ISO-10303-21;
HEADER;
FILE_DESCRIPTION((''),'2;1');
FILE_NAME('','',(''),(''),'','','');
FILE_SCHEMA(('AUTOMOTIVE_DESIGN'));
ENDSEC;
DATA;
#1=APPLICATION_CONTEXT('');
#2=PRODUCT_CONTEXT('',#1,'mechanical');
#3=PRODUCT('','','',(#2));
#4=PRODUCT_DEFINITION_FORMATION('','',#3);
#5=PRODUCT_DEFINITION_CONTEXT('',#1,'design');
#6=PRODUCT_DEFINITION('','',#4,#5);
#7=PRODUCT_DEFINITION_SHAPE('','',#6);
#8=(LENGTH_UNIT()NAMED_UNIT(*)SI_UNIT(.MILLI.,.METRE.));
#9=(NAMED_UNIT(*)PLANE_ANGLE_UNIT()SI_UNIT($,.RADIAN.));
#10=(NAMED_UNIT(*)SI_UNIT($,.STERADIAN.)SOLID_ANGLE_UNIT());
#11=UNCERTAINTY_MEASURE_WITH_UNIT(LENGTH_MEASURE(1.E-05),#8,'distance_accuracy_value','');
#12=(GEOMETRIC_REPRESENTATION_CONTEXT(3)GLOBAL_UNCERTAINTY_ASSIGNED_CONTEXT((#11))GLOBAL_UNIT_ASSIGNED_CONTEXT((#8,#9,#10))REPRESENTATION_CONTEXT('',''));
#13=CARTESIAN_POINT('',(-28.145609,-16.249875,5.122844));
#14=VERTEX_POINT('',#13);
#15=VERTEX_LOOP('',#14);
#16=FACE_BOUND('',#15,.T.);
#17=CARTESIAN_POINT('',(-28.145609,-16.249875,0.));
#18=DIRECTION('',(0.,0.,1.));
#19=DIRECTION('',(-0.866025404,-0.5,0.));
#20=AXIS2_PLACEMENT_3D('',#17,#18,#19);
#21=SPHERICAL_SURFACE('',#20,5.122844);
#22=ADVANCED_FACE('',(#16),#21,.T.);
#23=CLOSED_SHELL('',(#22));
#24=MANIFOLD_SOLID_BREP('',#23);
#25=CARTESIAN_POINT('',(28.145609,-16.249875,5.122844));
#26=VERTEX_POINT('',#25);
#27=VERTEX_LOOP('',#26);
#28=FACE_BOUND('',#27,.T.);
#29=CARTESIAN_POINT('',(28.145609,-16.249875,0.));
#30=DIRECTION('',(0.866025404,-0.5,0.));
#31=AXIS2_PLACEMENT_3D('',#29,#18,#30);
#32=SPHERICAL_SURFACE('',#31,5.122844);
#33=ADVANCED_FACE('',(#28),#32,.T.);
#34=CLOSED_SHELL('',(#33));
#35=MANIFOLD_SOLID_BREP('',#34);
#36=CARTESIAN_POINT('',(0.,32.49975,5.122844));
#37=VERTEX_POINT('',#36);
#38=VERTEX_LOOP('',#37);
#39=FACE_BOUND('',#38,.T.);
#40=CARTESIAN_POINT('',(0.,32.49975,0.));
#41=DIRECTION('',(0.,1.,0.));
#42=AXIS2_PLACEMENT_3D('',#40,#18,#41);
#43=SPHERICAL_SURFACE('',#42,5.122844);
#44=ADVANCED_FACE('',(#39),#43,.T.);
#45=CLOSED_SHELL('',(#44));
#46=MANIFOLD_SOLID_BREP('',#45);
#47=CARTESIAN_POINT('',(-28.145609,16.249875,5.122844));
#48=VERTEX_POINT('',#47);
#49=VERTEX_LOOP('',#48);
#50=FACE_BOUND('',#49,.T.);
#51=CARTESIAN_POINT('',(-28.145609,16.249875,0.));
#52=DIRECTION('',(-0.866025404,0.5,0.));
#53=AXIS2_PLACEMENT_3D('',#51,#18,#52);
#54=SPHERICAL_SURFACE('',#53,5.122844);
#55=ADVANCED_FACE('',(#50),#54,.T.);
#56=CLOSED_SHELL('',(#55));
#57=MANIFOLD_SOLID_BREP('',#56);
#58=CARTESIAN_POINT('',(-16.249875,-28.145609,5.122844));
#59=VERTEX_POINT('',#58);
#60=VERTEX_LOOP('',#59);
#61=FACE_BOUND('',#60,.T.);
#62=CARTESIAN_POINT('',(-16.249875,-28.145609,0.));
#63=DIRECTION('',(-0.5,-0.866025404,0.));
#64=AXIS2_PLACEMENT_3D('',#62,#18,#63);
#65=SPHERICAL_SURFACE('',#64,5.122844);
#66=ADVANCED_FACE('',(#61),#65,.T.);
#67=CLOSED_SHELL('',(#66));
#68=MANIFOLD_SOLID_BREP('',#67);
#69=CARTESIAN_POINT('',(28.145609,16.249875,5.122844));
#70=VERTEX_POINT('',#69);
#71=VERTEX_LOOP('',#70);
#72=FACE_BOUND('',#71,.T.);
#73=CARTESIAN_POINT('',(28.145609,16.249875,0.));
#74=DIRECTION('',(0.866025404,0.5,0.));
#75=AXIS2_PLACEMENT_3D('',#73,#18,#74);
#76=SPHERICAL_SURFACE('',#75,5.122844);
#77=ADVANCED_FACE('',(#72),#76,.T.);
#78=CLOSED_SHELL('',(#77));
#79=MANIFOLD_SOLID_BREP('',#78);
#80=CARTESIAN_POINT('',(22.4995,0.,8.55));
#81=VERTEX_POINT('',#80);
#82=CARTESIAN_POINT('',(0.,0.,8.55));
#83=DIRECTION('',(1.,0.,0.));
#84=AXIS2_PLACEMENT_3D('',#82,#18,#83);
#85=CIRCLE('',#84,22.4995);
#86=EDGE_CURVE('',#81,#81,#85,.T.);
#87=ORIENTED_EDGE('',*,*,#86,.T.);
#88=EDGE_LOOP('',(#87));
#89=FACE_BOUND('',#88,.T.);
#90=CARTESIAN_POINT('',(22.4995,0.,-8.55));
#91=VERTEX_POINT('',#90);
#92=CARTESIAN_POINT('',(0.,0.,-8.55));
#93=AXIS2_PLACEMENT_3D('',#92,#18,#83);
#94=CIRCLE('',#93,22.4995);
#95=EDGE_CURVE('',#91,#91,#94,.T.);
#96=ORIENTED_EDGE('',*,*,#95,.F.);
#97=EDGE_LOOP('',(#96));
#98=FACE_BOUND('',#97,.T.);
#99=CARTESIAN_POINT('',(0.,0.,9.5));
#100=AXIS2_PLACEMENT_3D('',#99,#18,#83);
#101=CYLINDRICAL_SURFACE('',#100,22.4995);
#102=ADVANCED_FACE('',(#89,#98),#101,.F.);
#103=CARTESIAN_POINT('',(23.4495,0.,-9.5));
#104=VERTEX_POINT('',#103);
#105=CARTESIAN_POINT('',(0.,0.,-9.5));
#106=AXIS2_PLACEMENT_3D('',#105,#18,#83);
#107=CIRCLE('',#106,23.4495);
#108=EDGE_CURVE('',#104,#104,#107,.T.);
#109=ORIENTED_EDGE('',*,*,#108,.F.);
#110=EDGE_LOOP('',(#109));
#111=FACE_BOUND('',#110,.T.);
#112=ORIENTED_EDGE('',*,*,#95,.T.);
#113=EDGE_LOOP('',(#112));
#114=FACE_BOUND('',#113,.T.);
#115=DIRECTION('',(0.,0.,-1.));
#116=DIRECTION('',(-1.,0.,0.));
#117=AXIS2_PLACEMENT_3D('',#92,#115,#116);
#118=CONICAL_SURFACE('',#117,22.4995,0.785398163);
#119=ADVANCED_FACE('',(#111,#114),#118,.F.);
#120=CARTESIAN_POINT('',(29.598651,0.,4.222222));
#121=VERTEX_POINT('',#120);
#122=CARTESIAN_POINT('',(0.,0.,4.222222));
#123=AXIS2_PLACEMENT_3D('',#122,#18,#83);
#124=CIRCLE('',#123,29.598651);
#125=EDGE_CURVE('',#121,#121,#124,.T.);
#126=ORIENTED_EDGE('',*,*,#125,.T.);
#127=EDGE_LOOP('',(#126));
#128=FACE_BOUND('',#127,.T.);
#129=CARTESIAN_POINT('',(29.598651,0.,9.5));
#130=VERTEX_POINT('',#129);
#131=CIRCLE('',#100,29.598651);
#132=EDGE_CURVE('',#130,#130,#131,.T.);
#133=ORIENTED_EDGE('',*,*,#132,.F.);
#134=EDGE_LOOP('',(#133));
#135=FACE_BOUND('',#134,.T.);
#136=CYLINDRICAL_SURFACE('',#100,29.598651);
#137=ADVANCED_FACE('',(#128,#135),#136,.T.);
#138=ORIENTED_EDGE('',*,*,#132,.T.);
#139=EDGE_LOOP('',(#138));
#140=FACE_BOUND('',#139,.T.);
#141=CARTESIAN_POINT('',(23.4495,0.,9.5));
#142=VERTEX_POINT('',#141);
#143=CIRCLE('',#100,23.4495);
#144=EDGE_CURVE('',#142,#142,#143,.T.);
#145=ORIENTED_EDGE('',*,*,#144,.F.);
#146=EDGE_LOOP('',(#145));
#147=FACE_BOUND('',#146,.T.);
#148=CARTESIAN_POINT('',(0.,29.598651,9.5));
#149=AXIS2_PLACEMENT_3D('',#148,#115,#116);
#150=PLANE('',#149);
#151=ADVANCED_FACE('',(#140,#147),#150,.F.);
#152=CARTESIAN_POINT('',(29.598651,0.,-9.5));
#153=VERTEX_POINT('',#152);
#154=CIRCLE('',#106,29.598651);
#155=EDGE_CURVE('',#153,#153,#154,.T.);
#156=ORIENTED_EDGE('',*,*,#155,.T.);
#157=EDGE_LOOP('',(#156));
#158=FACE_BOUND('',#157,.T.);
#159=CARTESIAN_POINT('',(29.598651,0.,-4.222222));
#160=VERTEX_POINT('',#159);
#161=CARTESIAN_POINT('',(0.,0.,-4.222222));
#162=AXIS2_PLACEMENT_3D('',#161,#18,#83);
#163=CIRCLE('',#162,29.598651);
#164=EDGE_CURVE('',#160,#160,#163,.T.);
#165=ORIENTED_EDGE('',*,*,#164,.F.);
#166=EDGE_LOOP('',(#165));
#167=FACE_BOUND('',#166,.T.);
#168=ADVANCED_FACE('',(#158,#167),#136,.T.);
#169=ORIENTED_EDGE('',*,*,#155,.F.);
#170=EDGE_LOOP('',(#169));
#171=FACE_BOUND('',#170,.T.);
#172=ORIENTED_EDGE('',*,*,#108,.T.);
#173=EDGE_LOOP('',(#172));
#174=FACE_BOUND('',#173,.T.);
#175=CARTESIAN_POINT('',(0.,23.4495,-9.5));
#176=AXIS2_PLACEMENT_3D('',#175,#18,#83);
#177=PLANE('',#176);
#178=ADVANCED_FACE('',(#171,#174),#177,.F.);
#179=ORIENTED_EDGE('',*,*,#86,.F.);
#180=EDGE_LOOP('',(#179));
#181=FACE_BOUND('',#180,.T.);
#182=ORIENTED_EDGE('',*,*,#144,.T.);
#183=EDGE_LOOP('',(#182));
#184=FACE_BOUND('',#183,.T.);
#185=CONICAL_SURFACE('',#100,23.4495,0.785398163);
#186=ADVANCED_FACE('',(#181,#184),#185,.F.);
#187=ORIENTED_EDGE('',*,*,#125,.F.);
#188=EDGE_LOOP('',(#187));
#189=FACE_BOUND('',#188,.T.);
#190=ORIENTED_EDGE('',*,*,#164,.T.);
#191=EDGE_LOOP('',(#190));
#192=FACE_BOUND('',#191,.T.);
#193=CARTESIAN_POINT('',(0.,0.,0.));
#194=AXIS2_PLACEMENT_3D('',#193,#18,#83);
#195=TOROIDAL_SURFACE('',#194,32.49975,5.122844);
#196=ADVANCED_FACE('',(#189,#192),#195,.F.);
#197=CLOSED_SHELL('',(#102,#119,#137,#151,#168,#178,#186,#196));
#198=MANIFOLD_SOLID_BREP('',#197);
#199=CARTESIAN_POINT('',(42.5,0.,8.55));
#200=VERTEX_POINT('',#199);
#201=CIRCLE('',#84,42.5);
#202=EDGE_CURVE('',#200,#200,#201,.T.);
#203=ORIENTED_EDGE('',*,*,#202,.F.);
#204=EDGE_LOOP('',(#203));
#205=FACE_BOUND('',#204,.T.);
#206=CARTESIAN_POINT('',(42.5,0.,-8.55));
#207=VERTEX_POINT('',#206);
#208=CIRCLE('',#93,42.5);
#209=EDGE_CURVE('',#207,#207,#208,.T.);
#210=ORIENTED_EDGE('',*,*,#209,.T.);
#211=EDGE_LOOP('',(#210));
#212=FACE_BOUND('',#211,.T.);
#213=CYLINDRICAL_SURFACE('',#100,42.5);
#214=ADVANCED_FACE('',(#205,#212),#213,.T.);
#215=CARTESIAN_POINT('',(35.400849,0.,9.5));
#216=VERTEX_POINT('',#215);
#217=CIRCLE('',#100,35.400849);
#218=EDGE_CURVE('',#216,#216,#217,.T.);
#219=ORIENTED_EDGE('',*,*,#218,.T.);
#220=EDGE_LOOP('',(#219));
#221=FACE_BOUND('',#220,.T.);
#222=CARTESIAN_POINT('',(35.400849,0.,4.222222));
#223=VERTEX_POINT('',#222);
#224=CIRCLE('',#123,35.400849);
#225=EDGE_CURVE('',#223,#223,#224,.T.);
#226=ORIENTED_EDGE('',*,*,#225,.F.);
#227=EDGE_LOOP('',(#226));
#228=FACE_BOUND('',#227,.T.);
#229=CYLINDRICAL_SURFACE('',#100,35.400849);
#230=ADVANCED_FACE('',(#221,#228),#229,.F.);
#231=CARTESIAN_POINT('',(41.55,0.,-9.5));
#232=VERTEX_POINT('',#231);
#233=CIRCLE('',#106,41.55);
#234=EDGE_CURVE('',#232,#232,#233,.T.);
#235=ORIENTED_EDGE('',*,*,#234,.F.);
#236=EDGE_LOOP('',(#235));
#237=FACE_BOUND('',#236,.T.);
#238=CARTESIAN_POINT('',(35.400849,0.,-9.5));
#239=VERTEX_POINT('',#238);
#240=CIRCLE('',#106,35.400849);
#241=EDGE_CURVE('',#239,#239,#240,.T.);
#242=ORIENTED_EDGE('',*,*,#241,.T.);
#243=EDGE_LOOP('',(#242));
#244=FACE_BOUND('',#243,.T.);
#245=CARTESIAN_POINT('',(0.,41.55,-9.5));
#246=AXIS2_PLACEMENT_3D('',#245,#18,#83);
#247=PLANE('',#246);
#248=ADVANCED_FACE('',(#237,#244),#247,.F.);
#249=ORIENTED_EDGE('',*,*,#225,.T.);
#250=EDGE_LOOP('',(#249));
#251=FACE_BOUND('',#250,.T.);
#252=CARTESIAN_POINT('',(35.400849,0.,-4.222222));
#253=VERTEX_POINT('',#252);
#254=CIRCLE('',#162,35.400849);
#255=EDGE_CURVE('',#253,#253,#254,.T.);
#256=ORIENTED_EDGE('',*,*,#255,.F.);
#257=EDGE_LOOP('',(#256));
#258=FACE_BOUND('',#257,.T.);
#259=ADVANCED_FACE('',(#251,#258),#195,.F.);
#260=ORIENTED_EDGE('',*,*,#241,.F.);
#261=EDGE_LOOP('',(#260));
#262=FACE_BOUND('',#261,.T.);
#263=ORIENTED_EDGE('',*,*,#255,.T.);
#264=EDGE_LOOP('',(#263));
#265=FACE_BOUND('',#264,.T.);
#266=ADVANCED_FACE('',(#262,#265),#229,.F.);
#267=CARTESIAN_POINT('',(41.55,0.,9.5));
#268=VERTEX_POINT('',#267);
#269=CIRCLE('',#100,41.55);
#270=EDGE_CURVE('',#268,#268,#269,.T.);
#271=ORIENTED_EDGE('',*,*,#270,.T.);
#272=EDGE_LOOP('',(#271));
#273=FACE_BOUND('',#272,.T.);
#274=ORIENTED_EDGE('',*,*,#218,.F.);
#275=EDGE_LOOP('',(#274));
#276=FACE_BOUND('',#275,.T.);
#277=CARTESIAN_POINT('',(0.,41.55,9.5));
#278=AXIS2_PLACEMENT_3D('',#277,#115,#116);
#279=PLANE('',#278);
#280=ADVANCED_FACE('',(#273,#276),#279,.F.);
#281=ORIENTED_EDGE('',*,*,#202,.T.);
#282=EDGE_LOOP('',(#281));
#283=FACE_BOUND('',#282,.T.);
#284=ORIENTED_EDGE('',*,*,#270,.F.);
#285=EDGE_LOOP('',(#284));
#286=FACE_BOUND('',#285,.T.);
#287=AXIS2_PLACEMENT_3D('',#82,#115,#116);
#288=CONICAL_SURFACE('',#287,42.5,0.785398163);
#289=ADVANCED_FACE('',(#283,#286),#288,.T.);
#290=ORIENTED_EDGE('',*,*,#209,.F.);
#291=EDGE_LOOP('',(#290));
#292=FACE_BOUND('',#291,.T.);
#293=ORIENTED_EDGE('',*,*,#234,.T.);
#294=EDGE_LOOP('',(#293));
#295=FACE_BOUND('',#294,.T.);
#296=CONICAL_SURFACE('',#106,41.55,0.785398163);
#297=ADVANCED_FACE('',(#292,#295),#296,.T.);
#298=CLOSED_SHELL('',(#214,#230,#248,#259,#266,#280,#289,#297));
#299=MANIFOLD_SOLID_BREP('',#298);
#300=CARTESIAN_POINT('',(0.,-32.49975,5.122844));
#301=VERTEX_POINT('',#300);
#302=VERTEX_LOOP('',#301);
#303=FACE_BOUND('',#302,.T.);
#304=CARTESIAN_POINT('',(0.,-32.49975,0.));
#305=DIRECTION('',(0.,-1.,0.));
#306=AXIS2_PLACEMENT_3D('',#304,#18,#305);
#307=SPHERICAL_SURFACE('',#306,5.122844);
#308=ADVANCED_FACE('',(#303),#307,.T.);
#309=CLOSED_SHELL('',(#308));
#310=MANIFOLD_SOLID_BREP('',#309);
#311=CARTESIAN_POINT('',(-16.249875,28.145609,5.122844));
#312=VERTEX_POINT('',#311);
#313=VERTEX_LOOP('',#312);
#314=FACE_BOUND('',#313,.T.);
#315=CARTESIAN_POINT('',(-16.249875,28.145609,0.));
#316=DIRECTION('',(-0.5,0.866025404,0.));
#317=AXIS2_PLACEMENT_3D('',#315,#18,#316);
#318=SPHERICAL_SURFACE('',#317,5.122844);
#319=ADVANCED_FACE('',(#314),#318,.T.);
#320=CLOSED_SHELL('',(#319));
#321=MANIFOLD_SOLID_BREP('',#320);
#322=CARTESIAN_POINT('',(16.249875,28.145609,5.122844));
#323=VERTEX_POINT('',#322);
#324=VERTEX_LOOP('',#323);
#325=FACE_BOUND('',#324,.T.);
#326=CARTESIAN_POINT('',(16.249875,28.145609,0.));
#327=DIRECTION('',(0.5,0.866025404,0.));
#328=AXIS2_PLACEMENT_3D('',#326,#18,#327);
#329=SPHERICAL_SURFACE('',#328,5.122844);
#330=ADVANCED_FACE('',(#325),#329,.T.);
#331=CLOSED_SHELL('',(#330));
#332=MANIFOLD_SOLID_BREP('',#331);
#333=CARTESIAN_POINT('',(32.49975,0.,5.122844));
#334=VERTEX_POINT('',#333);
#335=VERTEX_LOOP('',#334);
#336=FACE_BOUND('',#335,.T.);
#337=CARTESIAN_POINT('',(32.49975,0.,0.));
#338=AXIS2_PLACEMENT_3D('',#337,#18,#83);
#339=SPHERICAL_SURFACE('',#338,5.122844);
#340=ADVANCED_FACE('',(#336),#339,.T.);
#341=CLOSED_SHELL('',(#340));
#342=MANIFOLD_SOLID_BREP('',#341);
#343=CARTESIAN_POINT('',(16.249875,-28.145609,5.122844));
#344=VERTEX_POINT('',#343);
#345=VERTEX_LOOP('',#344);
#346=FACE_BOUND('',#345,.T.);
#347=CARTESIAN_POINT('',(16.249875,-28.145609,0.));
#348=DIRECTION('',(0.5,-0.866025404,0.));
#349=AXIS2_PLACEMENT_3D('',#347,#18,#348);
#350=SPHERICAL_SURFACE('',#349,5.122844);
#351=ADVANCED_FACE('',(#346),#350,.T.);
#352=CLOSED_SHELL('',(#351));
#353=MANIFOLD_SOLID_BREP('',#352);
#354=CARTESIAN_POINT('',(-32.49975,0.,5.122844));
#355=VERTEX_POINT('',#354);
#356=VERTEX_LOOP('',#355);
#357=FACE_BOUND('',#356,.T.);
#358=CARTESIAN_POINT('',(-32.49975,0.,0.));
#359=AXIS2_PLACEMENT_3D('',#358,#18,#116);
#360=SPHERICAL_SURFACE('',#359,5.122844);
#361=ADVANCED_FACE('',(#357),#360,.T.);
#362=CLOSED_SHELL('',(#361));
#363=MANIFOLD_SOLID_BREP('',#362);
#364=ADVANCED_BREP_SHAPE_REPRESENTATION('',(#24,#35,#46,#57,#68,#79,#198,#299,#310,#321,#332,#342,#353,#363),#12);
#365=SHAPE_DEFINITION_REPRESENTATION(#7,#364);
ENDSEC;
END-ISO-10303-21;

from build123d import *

# Parameters (mm, degrees)
CIRPATTERN1_COUNT = 12


with BuildPart() as part:
    # Sketch1 → Revolve1 (revolve)
    with BuildSketch(Plane(origin=(0, 0, 0), x_dir=(0, 0, -1), z_dir=(1, 0, 0))):
        with BuildLine():
            Line((8.55, 42.5), (-8.55, 42.5))
            Line((-8.55, 42.5), (-9.5, 41.55))
            Line((-9.5, 41.55), (-9.5, 35.400848901))
            Line((-9.5, 35.400848901), (-4.222222222, 35.400848901))
            ThreePointArc((-4.222222222, 35.400848901), (0, 37.622594457), (4.222222222, 35.400848901))
            Line((4.222222222, 35.400848901), (9.5, 35.400848901))
            Line((9.5, 35.400848901), (9.5, 41.55))
            Line((9.5, 41.55), (8.55, 42.5))
        make_face()
    revolve(axis=Axis((0, 0, 9.5), (0, 0, -1)))


with BuildPart() as body_2:
    # Sketch3 → Revolve3 (revolve)
    with BuildSketch(Plane(origin=(0, 0, 0), x_dir=(0, 0, -1), z_dir=(1, 0, 0))):
        with BuildLine():
            Line((-9.5, 29.598651099), (-4.222222222, 29.598651099))
            ThreePointArc((-4.222222222, 29.598651099), (0, 27.376905543), (4.222222222, 29.598651099))
            Line((4.222222222, 29.598651099), (9.5, 29.598651099))
            Line((9.5, 29.598651099), (9.5, 23.4495))
            Line((9.5, 23.4495), (8.55, 22.4995))
            Line((8.55, 22.4995), (-8.55, 22.4995))
            Line((-8.55, 22.4995), (-9.5, 23.4495))
            Line((-9.5, 23.4495), (-9.5, 29.598651099))
        make_face()
    revolve(axis=Axis((0, 0, 9.5), (0, 0, -1)))


with BuildPart() as body_3:
    # Sketch4 → Revolve4 (revolve)
    with BuildSketch(Plane(origin=(0, 0, 0), x_dir=(0, 0, -1), z_dir=(1, 0, 0))):
        with BuildLine():
            Line((-5.122844457, 32.49975), (5.122844457, 32.49975))
            ThreePointArc((5.122844457, 32.49975), (0, 37.622594457), (-5.122844457, 32.49975))
        make_face()
    revolve(axis=Axis((0, 32.49975, 5.122844457), (0, 0, -1)))


with BuildPart() as cirpattern1_1:
    # CirPattern1: pattern copy
    add(body_3.part.rotate(Axis((0, 0, -9.5), (0, 0, 1)), 1 * 360 / CIRPATTERN1_COUNT))


with BuildPart() as cirpattern1_2:
    # CirPattern1: pattern copy
    add(body_3.part.rotate(Axis((0, 0, -9.5), (0, 0, 1)), 2 * 360 / CIRPATTERN1_COUNT))


with BuildPart() as cirpattern1_3:
    # CirPattern1: pattern copy
    add(body_3.part.rotate(Axis((0, 0, -9.5), (0, 0, 1)), 3 * 360 / CIRPATTERN1_COUNT))


with BuildPart() as cirpattern1_4:
    # CirPattern1: pattern copy
    add(body_3.part.rotate(Axis((0, 0, -9.5), (0, 0, 1)), 4 * 360 / CIRPATTERN1_COUNT))


with BuildPart() as cirpattern1_5:
    # CirPattern1: pattern copy
    add(body_3.part.rotate(Axis((0, 0, -9.5), (0, 0, 1)), 5 * 360 / CIRPATTERN1_COUNT))


with BuildPart() as cirpattern1_6:
    # CirPattern1: pattern copy
    add(body_3.part.rotate(Axis((0, 0, -9.5), (0, 0, 1)), 6 * 360 / CIRPATTERN1_COUNT))


with BuildPart() as cirpattern1_7:
    # CirPattern1: pattern copy
    add(body_3.part.rotate(Axis((0, 0, -9.5), (0, 0, 1)), 7 * 360 / CIRPATTERN1_COUNT))


with BuildPart() as cirpattern1_8:
    # CirPattern1: pattern copy
    add(body_3.part.rotate(Axis((0, 0, -9.5), (0, 0, 1)), 8 * 360 / CIRPATTERN1_COUNT))


with BuildPart() as cirpattern1_9:
    # CirPattern1: pattern copy
    add(body_3.part.rotate(Axis((0, 0, -9.5), (0, 0, 1)), 9 * 360 / CIRPATTERN1_COUNT))


with BuildPart() as cirpattern1_10:
    # CirPattern1: pattern copy
    add(body_3.part.rotate(Axis((0, 0, -9.5), (0, 0, 1)), 10 * 360 / CIRPATTERN1_COUNT))


with BuildPart() as cirpattern1_11:
    # CirPattern1: pattern copy
    add(body_3.part.rotate(Axis((0, 0, -9.5), (0, 0, 1)), 11 * 360 / CIRPATTERN1_COUNT))


solid = Compound([part.part, body_2.part, body_3.part, cirpattern1_1.part, cirpattern1_2.part, cirpattern1_3.part, cirpattern1_4.part, cirpattern1_5.part, cirpattern1_6.part, cirpattern1_7.part, cirpattern1_8.part, cirpattern1_9.part, cirpattern1_10.part, cirpattern1_11.part])
